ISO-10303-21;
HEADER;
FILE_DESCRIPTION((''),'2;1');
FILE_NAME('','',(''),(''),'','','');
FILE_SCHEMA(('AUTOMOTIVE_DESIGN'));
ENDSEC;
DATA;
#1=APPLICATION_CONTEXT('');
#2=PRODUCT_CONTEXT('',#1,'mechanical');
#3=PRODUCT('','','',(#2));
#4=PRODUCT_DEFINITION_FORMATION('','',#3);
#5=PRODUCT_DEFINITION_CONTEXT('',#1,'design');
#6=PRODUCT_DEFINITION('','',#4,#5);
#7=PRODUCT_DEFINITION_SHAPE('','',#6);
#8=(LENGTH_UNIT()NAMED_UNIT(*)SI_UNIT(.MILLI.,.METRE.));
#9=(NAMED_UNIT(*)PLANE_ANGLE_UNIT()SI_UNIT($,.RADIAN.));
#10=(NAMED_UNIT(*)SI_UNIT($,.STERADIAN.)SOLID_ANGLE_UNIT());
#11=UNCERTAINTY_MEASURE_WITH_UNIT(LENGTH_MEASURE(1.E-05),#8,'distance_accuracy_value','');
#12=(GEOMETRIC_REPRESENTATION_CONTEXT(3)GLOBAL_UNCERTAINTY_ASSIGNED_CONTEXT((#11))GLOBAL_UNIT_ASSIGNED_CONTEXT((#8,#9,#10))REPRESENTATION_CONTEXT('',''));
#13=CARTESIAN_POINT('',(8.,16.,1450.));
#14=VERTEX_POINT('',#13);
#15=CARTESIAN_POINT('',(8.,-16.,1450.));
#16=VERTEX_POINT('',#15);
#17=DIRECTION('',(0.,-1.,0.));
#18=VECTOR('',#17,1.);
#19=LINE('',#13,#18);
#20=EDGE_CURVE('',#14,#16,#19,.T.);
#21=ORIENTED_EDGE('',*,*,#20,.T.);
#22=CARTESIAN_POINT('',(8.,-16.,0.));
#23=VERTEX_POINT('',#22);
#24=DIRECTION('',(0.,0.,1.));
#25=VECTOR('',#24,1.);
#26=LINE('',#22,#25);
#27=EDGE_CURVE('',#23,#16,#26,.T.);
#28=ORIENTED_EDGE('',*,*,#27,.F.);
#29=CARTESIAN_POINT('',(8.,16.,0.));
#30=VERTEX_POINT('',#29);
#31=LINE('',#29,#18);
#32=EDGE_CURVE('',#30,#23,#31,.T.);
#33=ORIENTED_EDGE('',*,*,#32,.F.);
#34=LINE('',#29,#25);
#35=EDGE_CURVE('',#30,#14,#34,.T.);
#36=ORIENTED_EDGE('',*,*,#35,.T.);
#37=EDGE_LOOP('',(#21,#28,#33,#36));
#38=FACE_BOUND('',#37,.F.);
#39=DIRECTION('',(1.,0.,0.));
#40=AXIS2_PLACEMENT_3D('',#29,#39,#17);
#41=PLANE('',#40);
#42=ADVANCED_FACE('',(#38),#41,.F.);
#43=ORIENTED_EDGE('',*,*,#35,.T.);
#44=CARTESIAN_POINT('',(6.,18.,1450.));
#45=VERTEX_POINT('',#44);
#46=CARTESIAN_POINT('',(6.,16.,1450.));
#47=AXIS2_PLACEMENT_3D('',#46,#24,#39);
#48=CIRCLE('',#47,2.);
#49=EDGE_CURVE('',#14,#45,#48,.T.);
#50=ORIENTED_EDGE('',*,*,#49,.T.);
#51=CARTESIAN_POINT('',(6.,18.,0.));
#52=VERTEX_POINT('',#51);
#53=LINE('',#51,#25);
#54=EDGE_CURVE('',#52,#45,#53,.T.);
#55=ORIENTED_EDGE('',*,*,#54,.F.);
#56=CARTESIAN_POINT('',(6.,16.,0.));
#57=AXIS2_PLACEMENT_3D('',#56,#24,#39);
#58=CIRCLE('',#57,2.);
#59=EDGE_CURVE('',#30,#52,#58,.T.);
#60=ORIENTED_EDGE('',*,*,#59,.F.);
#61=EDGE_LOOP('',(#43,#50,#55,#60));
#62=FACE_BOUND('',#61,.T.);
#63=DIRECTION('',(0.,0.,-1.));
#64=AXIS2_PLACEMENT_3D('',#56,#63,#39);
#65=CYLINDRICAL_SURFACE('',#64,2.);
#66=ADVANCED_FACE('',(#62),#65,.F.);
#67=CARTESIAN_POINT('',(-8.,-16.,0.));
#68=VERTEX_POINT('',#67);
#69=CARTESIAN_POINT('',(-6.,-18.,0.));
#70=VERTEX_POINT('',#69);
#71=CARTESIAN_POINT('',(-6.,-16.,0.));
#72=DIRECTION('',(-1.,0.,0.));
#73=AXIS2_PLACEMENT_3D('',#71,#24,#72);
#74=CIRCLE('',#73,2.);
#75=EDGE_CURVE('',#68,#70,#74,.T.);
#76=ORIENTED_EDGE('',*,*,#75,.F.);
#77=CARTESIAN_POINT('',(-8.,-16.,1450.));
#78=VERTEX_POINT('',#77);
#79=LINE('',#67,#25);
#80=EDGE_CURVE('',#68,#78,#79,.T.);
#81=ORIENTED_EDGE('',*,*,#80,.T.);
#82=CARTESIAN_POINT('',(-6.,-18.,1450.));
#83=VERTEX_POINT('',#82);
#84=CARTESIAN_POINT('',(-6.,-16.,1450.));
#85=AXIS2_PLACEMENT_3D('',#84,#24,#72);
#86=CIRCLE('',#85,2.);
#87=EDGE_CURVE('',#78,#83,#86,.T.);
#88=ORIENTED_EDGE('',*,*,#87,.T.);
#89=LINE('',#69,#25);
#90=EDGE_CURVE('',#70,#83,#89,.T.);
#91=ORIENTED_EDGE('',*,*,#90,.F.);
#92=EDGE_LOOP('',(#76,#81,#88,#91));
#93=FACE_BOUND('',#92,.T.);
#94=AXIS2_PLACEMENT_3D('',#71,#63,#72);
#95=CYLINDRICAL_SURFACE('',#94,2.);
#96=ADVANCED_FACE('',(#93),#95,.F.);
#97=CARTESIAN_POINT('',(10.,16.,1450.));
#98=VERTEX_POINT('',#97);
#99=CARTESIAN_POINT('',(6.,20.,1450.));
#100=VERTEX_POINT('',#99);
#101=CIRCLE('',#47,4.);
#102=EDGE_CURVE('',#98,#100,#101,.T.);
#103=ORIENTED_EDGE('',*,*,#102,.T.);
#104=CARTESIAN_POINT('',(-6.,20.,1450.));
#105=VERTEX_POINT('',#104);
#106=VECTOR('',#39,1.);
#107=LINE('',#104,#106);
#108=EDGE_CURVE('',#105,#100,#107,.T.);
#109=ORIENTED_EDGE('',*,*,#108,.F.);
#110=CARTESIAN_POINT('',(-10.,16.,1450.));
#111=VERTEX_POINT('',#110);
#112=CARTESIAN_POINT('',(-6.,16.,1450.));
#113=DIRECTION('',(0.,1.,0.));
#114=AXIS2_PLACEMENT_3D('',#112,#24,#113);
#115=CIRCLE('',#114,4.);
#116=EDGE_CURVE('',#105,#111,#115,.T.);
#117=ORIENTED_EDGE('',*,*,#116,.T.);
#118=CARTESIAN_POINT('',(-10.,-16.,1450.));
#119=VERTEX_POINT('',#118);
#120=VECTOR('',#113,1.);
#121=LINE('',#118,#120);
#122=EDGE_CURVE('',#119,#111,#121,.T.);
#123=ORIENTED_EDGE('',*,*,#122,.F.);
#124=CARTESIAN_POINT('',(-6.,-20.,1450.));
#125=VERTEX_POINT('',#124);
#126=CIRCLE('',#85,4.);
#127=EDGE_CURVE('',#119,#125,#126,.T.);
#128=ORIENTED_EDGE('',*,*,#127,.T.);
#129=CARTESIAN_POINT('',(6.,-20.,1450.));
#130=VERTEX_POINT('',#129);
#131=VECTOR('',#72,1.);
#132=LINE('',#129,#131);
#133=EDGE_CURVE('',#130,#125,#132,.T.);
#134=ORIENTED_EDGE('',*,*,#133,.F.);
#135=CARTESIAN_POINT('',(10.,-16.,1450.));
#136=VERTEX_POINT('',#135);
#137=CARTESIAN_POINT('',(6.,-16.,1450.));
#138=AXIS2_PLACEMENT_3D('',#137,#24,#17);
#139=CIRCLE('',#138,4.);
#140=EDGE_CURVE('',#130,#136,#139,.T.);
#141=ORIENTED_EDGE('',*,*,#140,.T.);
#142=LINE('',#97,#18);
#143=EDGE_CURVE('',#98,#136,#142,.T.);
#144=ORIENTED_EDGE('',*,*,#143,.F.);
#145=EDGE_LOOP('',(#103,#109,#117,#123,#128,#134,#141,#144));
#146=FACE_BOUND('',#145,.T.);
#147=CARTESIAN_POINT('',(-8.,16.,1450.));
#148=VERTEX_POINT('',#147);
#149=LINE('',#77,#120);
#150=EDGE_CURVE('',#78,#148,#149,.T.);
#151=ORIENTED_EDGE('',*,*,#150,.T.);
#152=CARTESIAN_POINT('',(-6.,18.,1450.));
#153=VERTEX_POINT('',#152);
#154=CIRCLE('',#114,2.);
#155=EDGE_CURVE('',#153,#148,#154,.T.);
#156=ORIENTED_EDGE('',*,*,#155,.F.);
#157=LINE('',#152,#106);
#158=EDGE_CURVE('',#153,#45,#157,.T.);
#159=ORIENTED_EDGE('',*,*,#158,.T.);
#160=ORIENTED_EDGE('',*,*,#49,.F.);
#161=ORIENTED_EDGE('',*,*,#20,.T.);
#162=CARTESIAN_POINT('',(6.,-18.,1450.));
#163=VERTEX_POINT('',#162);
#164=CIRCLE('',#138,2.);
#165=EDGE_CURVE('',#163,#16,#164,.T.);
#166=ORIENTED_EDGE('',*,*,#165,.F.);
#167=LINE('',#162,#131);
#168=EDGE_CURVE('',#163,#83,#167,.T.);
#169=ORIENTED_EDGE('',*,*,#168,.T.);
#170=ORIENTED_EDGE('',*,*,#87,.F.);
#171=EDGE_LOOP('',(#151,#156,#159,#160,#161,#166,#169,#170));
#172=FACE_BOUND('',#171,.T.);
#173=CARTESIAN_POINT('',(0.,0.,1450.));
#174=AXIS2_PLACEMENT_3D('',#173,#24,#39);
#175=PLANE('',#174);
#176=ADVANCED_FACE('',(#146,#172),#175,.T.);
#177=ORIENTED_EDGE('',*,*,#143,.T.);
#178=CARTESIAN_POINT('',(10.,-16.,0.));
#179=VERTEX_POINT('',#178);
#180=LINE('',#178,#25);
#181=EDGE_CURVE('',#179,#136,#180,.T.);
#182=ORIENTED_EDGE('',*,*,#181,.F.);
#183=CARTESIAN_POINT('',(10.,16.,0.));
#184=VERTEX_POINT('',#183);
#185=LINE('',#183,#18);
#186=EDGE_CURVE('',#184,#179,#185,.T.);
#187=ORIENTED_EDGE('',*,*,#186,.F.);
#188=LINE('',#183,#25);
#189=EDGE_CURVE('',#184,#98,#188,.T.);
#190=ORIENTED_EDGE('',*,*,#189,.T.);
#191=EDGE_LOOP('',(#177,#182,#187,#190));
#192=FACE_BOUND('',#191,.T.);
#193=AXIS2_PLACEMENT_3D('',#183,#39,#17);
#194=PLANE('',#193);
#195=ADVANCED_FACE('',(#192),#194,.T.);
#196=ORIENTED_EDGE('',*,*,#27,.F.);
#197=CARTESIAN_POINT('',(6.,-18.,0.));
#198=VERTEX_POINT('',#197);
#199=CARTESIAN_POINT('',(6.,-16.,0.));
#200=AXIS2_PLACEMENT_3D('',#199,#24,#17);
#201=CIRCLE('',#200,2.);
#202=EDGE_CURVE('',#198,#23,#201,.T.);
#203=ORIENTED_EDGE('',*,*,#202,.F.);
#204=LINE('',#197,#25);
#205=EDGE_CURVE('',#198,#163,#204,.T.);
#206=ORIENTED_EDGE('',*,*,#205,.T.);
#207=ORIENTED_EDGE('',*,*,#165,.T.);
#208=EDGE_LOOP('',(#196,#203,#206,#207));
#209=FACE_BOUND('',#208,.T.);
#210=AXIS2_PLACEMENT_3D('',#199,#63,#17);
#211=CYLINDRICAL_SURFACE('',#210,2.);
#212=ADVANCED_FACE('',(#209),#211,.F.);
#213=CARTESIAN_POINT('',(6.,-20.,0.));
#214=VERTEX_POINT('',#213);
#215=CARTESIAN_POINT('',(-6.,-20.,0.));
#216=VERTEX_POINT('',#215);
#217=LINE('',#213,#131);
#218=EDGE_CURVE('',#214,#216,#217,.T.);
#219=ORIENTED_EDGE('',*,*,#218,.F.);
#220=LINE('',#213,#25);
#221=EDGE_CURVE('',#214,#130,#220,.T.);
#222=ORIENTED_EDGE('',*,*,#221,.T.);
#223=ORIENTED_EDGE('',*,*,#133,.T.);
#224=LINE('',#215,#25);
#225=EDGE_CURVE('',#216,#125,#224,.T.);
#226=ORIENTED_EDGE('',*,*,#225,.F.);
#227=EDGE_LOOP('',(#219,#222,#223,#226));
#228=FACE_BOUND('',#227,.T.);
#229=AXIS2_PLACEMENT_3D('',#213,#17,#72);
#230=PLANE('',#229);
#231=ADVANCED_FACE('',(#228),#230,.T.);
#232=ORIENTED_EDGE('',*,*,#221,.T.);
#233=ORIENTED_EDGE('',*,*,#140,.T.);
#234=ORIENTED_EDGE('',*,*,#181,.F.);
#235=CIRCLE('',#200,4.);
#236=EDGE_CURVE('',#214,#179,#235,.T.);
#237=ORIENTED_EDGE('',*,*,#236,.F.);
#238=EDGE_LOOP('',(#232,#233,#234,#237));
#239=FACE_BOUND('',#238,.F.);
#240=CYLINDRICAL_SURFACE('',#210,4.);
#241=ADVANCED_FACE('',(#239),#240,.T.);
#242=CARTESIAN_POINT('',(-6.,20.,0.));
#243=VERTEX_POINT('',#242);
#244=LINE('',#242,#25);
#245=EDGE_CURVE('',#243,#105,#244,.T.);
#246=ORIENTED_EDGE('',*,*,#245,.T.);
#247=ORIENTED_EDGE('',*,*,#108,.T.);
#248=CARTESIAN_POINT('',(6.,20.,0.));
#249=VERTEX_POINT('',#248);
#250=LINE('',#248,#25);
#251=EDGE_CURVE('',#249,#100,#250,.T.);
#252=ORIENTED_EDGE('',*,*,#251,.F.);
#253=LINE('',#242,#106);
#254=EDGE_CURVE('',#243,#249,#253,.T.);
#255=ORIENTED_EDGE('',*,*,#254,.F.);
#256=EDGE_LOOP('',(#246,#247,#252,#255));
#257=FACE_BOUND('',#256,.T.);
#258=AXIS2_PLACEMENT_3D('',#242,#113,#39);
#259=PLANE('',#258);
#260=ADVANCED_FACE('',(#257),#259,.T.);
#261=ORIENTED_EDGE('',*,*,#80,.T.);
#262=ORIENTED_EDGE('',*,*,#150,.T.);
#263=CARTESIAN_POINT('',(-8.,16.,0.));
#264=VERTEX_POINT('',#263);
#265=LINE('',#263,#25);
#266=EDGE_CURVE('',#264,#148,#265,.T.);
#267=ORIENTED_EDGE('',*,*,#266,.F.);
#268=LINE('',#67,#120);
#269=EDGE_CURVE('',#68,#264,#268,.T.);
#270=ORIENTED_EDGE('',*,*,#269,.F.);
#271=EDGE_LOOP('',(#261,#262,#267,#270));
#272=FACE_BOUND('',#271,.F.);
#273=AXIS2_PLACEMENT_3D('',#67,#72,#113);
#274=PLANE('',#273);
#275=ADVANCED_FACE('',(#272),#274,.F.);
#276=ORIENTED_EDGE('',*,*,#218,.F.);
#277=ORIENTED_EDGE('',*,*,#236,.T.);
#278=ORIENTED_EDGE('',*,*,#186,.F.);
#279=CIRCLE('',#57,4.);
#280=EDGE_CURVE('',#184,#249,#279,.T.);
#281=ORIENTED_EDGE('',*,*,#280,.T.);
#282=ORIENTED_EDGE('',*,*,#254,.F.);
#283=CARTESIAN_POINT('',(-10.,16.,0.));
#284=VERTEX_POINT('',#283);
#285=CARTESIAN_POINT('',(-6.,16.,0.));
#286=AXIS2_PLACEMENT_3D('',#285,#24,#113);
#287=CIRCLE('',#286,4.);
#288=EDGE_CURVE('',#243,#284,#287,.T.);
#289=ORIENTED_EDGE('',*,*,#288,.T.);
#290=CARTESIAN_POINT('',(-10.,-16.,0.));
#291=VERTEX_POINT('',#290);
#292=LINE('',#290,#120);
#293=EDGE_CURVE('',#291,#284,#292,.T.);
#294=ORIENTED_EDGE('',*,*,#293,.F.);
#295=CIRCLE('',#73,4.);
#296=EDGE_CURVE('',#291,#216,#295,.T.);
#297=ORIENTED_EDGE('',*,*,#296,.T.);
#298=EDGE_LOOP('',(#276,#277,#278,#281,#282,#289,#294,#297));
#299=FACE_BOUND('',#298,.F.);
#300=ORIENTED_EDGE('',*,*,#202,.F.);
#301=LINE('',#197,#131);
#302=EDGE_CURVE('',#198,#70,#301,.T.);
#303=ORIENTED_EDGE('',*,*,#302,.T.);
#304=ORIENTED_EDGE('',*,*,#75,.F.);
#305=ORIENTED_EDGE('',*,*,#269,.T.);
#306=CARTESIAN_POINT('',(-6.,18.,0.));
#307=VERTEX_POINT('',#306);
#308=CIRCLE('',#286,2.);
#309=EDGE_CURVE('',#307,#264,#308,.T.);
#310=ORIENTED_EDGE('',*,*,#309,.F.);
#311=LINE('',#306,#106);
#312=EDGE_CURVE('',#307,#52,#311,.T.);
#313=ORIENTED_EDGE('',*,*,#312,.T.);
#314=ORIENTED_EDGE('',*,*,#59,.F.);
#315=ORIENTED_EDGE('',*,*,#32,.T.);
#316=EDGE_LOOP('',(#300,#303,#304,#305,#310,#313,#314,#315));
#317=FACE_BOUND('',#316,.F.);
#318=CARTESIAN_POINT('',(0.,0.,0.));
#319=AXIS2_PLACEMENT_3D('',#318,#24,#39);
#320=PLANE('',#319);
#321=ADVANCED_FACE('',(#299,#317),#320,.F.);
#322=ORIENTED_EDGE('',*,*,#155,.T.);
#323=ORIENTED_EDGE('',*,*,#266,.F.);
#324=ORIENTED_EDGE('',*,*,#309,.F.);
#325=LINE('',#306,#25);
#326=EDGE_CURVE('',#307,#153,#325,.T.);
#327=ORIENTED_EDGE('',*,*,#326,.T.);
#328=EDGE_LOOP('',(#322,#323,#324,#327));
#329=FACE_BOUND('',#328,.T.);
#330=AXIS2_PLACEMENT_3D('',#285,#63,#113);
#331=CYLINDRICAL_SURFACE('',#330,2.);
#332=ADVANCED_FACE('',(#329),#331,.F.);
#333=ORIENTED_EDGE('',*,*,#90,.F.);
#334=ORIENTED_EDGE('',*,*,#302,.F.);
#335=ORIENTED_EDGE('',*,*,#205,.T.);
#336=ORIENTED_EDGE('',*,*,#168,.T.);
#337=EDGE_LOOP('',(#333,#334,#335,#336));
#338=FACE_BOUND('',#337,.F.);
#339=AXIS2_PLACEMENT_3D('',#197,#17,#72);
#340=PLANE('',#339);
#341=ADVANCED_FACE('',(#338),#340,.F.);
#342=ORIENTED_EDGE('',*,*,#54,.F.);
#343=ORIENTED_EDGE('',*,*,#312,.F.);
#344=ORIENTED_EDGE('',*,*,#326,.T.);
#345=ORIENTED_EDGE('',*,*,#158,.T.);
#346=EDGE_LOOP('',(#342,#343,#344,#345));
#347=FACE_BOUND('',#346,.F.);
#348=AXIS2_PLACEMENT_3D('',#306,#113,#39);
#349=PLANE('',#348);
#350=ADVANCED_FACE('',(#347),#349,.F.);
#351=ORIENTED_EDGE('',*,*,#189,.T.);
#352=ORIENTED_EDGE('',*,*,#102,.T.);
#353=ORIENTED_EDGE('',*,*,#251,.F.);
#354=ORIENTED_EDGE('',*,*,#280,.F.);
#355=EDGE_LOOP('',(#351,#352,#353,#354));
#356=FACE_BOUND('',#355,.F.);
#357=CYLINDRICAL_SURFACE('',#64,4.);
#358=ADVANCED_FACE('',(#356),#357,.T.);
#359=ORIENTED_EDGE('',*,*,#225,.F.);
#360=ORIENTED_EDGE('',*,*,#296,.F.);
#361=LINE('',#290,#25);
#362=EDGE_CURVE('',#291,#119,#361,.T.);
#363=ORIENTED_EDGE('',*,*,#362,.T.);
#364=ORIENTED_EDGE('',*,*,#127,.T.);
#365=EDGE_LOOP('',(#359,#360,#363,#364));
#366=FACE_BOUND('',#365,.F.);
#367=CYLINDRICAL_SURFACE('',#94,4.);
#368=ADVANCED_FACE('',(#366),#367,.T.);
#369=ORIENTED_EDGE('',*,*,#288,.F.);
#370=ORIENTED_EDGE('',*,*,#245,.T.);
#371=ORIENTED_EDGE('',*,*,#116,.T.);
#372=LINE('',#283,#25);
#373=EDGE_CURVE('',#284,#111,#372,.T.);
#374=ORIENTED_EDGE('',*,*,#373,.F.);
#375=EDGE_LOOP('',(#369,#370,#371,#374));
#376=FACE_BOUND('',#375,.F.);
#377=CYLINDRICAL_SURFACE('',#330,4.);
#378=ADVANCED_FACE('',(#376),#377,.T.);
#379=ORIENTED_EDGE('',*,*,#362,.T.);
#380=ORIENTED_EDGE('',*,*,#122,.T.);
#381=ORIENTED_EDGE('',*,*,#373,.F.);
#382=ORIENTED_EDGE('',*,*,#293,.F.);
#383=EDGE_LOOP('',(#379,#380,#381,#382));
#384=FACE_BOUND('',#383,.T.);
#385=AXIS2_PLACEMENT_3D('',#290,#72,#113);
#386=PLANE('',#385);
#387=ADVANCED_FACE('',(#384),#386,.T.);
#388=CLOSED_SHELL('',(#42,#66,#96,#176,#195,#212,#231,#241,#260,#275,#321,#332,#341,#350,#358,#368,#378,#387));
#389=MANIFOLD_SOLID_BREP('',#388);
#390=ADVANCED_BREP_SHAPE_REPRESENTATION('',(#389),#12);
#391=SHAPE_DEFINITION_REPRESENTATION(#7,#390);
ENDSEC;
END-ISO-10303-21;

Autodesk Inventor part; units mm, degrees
ref_plane "YZ Plane" through (0, 0, 0) normal (1, 0, 0) x (0, 1, 0)
ref_plane "Start Plane" through (0, 0, 0) normal (0, 0, 1) x (1, 0, 0)
ref_plane "End Plane" through (0, 0, 1450) normal (0, 0, 1) x (1, 0, 0)
sketch "Sketch" plane through (0, 0, 0) normal (0, 0, 1) x (1, 0, 0)
  line L0 (-10, -16) -> (-10, 16)
  line L1 (-6, 20) -> (6, 20)
  line L2 (10, 16) -> (10, -16)
  line L3 (6, -20) -> (-6, -20)
  arc A0 (-10, -16) -> (-6, -20) centre (-6, -16) ccw
  arc A1 (10, 16) -> (6, 20) centre (6, 16) ccw
  arc A2 (-6, 20) -> (-10, 16) centre (-6, 16) ccw
  arc A3 (6, -20) -> (10, -16) centre (6, -16) ccw
  arc A4 (-6, 18) -> (-8, 16) centre (-6, 16) ccw
  line L4 (-6, 18) -> (6, 18)
  arc A5 (8, 16) -> (6, 18) centre (6, 16) ccw
  line L5 (8, 16) -> (8, -16)
  arc A6 (6, -18) -> (8, -16) centre (6, -16) ccw
  line L6 (6, -18) -> (-6, -18)
  arc A7 (-8, -16) -> (-6, -18) centre (-6, -16) ccw
  line L7 (-8, -16) -> (-8, 16)
  line L8 (0, 29.1598) -> (0, -29.1598) construction
  line L9 (-15.1598, 0) -> (15.1598, 0) construction
  dimension "d7" = 4
  dimension "d9" = 20
  dimension "d11" = 40
  dimension "d12" = 2
  dimension "d15" = 10
  dimension "d16" = 20
extrude "Body" add sketch "Sketch" along normal up to surface (1450 mm away) from surface at 0
sketch "Sketch3" plane through (0, 0, 0) normal (0, 0, 1) x (1, 0, 0)
  line L0 (0, 0) -> (10, 0)
ref_plane "Work Plane3" through (0, 0, 0) normal (0, -1, 0) x (1, 0, 0)
sketch "Sketch4" plane through (0, 0, 0) normal (0, -1, 0) x (1, 0, 0)
  line L0 (-2, 0) -> (12, 0)
  line L1 (-2, 1450) -> (12, 1450)
  dimension "d18" = 1450
equation "\"d7\" = G_IR"
equation "\"d9\" = G_W"
equation "\"d11\" = G_H"
equation "\"d12\" = G_T"
equation "\"d15\" = 0.5 * d9"
equation "\"d16\" = 0.5 * d11"
equation "\"d3\" = G_L"
equation "\"G_W\" = 20"
equation "\"G_H\" = 40"
equation "\"G_T\" = 2"
equation "\"G_IR\" = 4"
equation "\"G_L\" = d18"
equation "\"G_OFFSET_START\" = 0"
equation "\"G_OFFSET_END\" = 0"
properties part number "ISO 10799-2 - 40x20x2 - 1450" material "Steel, Mild"
